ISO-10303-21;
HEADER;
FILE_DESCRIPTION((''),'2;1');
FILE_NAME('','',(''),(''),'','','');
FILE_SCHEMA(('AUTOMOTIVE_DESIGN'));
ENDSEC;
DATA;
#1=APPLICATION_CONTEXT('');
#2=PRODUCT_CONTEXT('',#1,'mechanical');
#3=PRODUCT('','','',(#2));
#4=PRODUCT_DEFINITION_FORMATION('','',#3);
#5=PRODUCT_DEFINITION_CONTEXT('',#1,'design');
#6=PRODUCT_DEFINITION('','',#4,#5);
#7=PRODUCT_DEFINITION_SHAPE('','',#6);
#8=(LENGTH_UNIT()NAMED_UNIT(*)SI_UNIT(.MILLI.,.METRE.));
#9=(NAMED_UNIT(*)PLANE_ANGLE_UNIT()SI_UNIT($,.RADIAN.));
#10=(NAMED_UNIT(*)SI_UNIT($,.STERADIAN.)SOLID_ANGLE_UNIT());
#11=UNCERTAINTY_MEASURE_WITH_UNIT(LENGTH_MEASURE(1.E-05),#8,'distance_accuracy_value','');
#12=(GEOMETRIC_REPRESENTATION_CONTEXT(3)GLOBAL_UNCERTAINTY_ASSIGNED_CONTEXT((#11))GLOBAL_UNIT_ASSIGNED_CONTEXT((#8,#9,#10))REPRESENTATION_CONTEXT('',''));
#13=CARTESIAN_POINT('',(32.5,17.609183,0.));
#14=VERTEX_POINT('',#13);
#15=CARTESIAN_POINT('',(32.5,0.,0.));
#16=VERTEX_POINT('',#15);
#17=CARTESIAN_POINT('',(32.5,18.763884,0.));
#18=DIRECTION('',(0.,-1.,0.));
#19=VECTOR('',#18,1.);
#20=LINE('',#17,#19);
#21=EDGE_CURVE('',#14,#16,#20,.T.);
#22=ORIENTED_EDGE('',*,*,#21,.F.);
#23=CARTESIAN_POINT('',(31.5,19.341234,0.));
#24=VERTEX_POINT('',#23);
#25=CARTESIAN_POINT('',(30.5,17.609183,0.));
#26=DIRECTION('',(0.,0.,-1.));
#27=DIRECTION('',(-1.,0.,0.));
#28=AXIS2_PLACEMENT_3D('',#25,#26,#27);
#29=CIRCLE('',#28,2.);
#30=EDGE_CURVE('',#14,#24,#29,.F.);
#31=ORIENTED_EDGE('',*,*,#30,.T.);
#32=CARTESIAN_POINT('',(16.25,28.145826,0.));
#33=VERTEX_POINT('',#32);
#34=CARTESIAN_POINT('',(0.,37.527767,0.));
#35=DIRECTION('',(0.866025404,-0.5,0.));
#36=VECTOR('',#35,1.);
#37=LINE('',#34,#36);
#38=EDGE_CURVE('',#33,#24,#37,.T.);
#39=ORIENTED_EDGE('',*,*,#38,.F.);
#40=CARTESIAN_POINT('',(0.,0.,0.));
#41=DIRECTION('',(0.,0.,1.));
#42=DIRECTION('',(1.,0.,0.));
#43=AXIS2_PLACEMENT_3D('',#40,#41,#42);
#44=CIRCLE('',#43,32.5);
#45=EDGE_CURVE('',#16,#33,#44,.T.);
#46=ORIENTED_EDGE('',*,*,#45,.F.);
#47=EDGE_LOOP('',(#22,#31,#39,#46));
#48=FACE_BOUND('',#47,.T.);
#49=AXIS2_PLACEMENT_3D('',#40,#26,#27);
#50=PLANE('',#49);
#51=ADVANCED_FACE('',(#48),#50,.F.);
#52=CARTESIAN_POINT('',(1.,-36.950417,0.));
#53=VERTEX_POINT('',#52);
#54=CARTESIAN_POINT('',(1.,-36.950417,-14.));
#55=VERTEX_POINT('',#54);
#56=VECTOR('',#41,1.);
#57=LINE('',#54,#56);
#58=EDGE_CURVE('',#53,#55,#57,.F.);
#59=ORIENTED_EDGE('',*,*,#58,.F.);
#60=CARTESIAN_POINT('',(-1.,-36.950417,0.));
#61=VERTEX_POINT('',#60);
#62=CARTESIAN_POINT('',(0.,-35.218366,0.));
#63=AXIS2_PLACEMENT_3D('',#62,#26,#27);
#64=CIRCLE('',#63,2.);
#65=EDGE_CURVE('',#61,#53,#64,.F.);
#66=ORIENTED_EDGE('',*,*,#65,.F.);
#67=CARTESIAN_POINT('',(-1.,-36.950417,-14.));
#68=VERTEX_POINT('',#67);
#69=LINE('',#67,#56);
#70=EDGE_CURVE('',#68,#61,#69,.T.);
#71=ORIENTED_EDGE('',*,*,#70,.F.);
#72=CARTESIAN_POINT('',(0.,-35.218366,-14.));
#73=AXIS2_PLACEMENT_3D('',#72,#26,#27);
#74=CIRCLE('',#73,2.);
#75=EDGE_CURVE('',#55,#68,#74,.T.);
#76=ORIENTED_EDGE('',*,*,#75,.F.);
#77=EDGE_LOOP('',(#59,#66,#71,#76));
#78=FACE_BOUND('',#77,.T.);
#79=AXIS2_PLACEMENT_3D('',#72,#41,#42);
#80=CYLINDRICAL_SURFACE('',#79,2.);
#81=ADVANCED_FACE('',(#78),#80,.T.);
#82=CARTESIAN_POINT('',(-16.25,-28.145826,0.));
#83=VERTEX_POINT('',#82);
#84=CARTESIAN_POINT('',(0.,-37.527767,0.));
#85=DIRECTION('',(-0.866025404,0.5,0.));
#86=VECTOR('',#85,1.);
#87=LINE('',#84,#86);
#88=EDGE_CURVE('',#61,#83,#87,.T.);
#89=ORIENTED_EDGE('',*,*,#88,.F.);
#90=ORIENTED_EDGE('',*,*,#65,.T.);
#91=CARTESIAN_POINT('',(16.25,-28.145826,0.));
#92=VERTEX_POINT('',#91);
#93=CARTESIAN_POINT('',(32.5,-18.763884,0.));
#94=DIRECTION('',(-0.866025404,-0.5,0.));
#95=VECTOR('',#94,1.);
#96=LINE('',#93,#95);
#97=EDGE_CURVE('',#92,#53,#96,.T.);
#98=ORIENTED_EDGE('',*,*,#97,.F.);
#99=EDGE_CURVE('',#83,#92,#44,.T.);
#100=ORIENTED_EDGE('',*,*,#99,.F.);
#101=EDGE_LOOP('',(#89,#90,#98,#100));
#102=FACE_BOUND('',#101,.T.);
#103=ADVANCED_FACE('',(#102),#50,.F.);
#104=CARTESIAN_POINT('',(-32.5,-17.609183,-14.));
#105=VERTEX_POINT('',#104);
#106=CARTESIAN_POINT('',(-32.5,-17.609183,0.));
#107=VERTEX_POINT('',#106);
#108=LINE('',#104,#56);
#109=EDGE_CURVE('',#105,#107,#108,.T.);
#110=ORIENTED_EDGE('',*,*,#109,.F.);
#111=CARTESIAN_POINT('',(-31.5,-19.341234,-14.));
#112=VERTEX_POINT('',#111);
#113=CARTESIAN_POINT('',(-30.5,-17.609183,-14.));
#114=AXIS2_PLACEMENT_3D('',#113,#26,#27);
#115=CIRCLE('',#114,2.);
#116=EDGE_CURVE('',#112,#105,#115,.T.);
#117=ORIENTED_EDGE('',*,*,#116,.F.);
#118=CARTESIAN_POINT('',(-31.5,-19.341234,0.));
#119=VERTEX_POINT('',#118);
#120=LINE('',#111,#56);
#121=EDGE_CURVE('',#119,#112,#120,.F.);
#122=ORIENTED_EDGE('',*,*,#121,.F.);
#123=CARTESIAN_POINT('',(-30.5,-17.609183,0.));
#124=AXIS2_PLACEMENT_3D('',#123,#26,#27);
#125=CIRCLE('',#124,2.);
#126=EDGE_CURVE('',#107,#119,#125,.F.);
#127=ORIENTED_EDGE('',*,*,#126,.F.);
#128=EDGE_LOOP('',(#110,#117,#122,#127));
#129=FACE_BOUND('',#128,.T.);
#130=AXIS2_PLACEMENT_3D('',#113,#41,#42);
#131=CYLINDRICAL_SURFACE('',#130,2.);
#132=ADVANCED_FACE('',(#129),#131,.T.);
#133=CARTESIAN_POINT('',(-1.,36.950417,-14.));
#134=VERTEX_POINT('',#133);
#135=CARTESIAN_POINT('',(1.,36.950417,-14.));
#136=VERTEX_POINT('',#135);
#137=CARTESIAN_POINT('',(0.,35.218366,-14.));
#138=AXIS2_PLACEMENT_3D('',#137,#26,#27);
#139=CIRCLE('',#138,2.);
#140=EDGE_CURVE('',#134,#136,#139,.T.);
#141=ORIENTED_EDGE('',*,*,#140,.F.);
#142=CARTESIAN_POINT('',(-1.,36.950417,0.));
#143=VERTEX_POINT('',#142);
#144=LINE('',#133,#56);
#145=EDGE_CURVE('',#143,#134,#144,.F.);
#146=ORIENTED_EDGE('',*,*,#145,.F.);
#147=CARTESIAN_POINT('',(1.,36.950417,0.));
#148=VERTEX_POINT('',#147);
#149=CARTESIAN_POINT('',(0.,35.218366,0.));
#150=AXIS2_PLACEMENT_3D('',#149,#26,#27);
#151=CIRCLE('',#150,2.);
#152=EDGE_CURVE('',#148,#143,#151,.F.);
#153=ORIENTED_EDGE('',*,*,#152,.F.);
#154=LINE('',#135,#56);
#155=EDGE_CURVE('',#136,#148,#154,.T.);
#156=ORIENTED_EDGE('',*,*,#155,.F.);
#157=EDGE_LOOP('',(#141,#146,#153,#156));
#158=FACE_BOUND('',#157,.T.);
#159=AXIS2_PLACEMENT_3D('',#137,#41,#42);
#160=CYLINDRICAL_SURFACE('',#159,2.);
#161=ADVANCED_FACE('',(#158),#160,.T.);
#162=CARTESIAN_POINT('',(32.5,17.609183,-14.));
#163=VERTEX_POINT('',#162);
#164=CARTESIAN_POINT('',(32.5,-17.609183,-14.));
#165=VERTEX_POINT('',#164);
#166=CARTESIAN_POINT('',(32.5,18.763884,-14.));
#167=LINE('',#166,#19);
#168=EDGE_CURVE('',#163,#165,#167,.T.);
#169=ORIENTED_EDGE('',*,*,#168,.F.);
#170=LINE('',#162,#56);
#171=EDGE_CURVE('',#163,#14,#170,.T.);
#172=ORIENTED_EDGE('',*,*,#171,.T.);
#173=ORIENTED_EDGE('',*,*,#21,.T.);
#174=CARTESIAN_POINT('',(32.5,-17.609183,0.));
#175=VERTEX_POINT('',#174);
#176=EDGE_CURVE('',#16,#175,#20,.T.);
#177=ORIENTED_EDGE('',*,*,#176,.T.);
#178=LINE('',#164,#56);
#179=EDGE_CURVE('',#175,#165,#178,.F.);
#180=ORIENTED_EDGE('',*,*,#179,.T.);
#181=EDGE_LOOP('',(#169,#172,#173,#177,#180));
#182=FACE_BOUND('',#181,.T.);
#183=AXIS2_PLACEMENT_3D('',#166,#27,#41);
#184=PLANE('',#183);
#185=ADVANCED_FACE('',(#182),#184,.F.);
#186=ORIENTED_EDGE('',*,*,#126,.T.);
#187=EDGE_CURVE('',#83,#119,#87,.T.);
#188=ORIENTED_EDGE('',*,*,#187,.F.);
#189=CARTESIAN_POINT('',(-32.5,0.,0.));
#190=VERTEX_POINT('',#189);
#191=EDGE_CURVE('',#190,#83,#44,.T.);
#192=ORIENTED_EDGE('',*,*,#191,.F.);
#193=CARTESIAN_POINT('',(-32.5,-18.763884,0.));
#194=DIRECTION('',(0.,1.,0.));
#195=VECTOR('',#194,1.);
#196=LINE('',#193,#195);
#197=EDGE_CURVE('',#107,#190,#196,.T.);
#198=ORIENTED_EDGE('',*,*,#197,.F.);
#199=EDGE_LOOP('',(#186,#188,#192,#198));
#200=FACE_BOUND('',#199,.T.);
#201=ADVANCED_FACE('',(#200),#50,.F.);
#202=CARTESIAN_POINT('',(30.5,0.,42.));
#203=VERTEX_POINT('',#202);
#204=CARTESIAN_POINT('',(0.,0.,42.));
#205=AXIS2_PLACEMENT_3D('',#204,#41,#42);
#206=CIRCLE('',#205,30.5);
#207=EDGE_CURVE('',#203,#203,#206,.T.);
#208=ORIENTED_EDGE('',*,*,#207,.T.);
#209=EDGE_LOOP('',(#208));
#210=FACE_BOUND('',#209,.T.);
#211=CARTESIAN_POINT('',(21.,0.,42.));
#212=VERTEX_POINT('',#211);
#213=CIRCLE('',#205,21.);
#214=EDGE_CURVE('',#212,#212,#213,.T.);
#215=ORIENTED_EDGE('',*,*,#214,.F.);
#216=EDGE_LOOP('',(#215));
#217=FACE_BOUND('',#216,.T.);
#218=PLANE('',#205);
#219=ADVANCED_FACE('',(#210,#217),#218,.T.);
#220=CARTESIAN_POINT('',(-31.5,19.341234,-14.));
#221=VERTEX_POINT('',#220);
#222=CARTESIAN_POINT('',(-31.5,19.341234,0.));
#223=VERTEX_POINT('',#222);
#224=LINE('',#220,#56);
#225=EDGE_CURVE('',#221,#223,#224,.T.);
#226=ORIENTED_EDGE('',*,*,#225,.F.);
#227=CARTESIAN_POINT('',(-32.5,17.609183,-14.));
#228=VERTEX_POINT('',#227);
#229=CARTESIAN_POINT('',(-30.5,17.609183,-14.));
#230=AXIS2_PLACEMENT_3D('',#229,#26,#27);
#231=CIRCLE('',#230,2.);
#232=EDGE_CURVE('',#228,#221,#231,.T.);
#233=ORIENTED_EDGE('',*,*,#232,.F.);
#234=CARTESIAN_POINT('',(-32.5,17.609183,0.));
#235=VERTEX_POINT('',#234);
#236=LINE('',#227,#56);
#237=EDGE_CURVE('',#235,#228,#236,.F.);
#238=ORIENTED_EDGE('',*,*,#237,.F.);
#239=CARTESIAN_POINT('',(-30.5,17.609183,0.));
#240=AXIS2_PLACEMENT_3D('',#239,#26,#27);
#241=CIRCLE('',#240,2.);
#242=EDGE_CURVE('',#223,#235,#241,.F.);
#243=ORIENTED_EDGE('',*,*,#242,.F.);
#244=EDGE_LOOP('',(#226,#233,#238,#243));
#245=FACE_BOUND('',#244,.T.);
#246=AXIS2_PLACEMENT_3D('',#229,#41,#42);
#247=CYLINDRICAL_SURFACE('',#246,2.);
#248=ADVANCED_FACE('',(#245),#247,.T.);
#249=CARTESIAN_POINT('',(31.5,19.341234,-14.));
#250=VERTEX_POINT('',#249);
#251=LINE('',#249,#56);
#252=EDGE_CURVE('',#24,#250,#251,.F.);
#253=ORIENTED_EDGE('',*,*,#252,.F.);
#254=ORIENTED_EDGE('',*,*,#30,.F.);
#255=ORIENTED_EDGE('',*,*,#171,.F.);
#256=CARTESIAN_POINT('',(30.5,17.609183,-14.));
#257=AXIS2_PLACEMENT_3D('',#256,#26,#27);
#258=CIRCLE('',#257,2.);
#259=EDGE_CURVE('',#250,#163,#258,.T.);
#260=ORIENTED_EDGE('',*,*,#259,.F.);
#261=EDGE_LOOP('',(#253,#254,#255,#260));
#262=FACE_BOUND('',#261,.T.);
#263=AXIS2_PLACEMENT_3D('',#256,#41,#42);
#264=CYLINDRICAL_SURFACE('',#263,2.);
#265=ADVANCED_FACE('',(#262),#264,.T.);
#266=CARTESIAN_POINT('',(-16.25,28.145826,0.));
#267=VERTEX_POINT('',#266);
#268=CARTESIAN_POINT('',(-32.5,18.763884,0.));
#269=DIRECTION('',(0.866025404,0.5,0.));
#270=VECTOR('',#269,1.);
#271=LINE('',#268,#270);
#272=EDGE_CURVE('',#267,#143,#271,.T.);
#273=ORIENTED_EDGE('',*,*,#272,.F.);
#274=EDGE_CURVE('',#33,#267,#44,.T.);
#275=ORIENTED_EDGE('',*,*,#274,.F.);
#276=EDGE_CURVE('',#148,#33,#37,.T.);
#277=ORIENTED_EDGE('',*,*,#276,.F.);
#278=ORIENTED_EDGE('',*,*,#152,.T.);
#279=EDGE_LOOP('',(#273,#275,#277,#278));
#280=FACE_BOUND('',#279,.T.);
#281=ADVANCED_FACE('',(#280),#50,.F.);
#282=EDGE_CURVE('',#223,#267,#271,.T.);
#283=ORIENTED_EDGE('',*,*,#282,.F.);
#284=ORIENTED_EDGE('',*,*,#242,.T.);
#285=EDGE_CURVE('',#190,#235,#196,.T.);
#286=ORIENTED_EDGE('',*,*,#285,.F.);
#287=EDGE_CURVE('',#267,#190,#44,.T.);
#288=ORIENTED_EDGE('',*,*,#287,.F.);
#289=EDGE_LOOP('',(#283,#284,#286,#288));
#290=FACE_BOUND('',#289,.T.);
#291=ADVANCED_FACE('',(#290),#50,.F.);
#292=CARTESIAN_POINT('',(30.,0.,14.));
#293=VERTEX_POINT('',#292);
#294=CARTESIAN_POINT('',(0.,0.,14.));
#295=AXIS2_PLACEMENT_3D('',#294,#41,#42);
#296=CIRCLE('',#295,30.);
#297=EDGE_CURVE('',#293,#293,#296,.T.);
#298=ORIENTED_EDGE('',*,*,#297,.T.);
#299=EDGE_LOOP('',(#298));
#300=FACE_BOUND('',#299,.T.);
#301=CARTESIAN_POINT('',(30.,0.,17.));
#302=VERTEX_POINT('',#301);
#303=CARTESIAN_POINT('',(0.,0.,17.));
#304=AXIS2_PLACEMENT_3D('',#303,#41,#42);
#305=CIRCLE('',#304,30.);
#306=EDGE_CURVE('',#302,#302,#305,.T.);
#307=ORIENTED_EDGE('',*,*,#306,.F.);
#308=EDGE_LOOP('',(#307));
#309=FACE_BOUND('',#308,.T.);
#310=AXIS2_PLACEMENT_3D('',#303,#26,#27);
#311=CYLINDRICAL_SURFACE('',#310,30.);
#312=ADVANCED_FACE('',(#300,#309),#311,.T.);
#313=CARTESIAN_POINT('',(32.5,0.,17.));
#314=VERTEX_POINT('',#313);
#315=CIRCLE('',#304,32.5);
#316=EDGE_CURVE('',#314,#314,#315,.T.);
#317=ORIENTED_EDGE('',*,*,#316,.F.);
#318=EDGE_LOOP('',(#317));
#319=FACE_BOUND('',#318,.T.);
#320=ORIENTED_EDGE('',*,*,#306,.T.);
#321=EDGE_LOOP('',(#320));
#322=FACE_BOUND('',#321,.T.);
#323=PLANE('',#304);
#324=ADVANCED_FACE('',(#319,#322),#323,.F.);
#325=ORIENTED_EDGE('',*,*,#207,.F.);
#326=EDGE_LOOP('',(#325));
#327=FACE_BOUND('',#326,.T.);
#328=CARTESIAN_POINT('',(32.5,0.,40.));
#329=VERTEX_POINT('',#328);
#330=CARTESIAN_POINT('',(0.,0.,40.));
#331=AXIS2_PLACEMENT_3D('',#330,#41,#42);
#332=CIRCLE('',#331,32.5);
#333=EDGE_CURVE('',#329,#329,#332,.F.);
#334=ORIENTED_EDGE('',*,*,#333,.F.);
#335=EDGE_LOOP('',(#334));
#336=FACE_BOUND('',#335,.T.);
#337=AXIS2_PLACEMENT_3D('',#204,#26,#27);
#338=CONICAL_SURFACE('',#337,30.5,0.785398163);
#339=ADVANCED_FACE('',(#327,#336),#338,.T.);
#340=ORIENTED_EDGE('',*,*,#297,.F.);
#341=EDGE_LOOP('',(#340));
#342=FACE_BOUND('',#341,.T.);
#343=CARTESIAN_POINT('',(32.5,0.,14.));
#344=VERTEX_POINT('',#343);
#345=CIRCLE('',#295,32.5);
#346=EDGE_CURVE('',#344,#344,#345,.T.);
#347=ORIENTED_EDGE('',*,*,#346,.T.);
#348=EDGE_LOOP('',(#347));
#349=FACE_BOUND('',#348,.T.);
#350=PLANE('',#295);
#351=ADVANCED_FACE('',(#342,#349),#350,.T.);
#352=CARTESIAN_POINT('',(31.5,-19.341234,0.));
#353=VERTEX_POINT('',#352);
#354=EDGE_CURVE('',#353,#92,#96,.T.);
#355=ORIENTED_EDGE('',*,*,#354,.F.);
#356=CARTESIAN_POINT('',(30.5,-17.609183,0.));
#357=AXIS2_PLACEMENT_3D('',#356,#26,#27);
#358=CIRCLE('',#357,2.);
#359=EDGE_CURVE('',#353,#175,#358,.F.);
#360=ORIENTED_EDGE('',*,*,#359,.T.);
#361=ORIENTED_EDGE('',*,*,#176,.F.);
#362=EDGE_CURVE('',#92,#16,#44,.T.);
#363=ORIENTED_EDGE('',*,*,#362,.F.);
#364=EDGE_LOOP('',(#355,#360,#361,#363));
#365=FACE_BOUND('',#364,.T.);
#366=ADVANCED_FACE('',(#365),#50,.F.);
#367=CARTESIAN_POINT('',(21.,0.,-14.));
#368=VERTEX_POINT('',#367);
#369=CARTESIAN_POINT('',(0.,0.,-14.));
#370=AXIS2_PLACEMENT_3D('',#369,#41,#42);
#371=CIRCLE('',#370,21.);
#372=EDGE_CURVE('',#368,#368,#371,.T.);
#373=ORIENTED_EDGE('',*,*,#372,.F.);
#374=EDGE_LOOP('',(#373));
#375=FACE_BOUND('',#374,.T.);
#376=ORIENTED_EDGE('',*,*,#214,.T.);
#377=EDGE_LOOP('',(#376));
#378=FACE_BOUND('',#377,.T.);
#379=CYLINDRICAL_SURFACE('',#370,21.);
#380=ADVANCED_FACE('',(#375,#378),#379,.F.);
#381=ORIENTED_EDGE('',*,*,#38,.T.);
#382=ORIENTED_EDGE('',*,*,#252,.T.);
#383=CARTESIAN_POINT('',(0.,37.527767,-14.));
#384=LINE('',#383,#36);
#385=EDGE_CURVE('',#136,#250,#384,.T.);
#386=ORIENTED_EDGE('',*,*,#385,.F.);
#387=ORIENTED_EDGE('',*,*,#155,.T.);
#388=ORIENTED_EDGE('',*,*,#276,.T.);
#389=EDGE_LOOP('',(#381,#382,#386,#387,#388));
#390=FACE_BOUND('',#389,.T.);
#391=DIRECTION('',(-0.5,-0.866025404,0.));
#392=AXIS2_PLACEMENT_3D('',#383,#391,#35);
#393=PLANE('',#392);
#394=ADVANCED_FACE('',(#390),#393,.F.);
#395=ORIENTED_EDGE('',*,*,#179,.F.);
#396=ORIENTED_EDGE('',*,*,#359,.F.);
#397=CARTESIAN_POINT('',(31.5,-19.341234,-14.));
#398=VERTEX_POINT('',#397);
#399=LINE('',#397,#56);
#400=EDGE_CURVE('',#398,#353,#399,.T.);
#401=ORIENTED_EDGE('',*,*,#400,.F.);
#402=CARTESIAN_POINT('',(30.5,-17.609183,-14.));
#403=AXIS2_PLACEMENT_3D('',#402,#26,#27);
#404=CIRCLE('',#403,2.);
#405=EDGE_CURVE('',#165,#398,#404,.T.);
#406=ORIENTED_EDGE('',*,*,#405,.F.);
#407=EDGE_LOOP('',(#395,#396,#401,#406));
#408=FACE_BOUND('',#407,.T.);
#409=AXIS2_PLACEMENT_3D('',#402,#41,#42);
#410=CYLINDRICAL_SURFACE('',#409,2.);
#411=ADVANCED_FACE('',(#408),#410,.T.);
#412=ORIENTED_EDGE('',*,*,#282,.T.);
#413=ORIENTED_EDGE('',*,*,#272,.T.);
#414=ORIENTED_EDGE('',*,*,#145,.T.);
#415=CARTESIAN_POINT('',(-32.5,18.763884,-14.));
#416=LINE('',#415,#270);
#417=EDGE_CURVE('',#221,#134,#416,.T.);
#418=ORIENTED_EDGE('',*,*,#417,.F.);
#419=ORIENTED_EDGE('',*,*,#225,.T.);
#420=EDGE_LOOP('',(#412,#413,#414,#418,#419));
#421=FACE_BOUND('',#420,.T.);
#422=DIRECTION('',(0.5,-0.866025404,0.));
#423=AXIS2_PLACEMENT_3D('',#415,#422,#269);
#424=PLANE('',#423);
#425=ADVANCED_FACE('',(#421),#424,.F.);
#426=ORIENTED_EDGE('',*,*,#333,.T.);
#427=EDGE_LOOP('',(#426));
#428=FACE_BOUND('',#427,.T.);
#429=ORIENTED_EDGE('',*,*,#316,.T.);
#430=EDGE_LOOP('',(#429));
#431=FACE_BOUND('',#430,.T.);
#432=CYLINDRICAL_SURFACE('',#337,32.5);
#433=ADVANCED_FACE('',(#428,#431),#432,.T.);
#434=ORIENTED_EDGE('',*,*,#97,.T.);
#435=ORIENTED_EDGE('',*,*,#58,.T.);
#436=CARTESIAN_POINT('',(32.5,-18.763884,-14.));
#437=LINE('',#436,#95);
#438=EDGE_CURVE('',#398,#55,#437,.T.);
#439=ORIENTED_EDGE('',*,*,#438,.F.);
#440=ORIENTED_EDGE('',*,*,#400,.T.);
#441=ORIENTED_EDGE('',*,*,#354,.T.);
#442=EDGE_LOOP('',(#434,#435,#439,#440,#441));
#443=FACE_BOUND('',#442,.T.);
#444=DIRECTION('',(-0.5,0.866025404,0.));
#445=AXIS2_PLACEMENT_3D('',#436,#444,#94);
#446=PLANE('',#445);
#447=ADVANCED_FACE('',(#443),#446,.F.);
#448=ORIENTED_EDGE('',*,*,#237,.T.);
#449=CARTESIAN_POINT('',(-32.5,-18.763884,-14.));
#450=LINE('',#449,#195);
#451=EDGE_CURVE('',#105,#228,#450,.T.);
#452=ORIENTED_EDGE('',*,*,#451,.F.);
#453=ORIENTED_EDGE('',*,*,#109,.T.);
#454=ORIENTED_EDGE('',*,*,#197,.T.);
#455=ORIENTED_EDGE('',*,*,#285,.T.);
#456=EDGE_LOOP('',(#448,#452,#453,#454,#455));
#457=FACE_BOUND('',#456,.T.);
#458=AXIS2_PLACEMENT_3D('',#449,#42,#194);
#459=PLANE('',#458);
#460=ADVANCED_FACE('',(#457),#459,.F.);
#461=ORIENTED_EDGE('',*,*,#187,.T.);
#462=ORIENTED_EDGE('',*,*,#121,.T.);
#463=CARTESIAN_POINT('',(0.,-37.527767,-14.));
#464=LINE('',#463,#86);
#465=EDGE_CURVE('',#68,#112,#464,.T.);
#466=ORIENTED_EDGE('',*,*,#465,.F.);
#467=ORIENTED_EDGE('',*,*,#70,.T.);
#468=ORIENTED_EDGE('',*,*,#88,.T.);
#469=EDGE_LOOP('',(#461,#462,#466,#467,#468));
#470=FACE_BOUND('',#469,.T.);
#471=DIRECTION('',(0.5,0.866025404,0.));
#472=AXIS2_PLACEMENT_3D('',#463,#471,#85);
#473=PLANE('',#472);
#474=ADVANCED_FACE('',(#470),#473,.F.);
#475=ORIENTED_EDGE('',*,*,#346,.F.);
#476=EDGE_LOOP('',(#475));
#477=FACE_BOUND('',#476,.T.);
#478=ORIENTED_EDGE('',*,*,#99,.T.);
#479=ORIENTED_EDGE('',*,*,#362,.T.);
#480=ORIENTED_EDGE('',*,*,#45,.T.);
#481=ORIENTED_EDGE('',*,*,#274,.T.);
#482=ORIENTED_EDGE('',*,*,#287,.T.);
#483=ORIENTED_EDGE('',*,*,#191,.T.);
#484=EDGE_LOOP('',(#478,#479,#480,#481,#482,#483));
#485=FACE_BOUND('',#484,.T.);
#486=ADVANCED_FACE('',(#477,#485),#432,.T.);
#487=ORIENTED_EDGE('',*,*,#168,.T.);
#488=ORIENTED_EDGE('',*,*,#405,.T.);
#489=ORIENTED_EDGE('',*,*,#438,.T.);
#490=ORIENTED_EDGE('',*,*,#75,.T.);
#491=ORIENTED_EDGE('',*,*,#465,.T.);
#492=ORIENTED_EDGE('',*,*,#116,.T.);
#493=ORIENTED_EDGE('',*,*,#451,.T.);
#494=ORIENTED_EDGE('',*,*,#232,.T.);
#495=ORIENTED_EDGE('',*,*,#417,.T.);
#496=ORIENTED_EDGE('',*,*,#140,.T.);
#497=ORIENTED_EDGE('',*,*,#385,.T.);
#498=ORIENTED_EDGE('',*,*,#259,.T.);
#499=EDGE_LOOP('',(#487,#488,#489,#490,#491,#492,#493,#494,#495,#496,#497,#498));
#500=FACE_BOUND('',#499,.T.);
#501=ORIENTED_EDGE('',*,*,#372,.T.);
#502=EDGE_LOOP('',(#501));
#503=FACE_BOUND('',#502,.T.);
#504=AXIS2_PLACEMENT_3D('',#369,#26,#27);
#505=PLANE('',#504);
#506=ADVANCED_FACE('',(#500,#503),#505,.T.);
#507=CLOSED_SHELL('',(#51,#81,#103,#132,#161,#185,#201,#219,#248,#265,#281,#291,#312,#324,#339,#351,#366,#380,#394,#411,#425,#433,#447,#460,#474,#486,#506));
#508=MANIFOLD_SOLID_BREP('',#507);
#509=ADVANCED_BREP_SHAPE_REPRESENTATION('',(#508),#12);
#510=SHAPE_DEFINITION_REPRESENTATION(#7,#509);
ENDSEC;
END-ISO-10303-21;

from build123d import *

# Parameters (mm, degrees)
SKETCH1_R           = 32.5
BOSS_EXTRUDE1_DEPTH = 42
CUT_EXTRUDE1_START  = -28
SKETCH2_R           = 32.5
SKETCH2_R_2         = 30
CUT_EXTRUDE1_DEPTH  = 3
BOSS_EXTRUDE3_DEPTH = 14
FILLET1_R           = 2
CHAMFER1_SIZE       = 2
SKETCH4_R           = 21
CUT_EXTRUDE4_DEPTH  = 57


with BuildPart() as part:
    # Sketch1 → Boss-Extrude1 (new body)
    with BuildSketch(Plane.XY):
        Circle(SKETCH1_R)
    extrude(amount=BOSS_EXTRUDE1_DEPTH)

    # Sketch2 → Cut-Extrude1 (cut)
    with BuildSketch(Plane.XY.offset(42).offset(CUT_EXTRUDE1_START)):
        Circle(SKETCH2_R)
        Circle(SKETCH2_R_2, mode=Mode.SUBTRACT)
    extrude(amount=CUT_EXTRUDE1_DEPTH, mode=Mode.SUBTRACT)

    # Sketch3 → Boss-Extrude3 (add)
    with BuildSketch(Plane(origin=(0, 0, 0), x_dir=(-1, 0, 0), z_dir=(0, 0, -1))):
        Polygon((32.5, -18.763883749), (32.5, 18.763883749), (0, 37.527767497), (-32.5, 18.763883749), (-32.5, -18.763883749), (0, -37.527767497), align=None)
    extrude(amount=BOSS_EXTRUDE3_DEPTH)

    # Fillet1
    fillet1_edges = [part.edges().sort_by_distance(p)[0] for p in [
        (0, -37.527767497, -7),
        (-32.5, -18.763883749, -7),
        (-32.5, 18.763883749, -7),
        (0, 37.527767497, -7),
        (32.5, 18.763883749, -7),
        (32.5, -18.763883749, -7),
    ]]
    fillet(fillet1_edges, radius=FILLET1_R)

    # Chamfer1
    chamfer1_edges = [part.edges().sort_by_distance(p)[0] for p in [
        (-32.5, 0, 42),
    ]]
    chamfer(chamfer1_edges, length=CHAMFER1_SIZE)

    # Sketch4 → Cut-Extrude4 (cut, through all)
    with BuildSketch(Plane.XY.offset(42)):
        Circle(SKETCH4_R)
    extrude(amount=-CUT_EXTRUDE4_DEPTH, mode=Mode.SUBTRACT)


solid = part.part
